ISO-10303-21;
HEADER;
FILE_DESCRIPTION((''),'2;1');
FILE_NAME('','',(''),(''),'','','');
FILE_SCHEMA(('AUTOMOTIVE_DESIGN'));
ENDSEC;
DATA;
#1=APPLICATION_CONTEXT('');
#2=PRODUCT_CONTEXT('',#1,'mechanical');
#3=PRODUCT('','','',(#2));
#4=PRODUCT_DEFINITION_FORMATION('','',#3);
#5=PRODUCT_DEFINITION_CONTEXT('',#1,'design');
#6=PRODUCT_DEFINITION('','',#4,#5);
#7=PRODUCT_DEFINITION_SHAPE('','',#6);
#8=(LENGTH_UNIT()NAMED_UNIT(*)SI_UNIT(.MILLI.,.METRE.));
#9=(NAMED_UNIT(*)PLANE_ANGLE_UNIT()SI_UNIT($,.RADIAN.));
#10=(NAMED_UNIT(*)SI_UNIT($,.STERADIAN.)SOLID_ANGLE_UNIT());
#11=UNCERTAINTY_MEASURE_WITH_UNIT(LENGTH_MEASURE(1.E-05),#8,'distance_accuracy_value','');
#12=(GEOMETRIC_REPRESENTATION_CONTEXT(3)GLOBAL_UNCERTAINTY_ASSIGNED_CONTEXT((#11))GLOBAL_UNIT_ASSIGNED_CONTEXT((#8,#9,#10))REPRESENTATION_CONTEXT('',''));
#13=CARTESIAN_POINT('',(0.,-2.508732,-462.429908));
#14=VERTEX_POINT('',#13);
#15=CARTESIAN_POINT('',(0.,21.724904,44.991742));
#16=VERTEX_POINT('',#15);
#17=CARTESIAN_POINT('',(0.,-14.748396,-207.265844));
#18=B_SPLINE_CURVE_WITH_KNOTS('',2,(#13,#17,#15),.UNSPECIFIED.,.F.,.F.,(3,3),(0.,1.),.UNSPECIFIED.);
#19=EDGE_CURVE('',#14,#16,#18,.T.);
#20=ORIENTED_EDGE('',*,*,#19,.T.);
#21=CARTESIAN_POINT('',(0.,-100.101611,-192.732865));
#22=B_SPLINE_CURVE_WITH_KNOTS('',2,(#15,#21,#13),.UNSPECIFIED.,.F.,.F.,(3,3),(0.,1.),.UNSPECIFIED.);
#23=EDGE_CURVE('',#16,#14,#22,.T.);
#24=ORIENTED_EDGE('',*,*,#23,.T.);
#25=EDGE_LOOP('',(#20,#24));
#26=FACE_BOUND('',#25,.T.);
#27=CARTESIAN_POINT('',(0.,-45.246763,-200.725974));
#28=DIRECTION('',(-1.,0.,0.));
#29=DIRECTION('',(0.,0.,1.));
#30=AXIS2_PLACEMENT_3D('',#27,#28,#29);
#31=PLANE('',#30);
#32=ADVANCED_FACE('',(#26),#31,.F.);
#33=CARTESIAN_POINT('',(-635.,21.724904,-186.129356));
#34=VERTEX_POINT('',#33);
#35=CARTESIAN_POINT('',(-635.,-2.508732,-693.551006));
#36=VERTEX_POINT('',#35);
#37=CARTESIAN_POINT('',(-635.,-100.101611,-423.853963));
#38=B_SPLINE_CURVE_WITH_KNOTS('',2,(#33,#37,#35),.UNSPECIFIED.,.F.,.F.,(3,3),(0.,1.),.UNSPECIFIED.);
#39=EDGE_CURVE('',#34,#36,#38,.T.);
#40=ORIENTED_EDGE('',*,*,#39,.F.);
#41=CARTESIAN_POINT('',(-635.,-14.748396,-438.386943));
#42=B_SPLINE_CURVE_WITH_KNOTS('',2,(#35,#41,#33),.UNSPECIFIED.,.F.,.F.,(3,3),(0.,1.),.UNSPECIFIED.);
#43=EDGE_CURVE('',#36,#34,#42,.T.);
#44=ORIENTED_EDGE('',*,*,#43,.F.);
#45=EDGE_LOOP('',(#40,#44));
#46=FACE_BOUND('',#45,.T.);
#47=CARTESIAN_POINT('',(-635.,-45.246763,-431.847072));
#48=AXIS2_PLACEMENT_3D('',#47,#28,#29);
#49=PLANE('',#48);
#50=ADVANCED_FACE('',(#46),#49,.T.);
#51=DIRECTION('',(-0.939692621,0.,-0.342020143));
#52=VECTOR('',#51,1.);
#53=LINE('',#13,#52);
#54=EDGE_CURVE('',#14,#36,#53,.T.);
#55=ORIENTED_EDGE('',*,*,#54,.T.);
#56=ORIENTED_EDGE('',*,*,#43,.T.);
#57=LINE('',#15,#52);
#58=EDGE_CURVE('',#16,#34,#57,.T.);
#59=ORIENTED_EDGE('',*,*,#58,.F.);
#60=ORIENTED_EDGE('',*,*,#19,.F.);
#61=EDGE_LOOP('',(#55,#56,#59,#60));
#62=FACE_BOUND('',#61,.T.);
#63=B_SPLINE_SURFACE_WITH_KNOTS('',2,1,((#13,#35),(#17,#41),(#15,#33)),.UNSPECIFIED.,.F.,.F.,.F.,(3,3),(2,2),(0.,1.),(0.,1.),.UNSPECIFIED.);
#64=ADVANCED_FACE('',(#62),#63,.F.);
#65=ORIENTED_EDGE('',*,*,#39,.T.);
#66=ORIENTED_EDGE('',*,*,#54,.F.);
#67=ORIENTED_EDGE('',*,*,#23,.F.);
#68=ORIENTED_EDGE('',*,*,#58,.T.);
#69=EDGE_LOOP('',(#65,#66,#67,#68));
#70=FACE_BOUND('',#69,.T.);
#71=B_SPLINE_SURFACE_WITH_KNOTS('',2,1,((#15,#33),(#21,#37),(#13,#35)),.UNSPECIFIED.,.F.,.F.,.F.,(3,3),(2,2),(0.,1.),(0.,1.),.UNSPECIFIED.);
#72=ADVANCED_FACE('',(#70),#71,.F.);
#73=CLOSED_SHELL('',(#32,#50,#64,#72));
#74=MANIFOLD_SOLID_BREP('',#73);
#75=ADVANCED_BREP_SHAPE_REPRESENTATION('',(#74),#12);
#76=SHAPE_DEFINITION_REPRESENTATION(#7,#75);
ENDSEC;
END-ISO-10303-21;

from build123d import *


with BuildPart() as part:
    # Sweep1: sweep along a path in Sketch2
    with BuildLine(Plane(origin=(0, 0, 0), x_dir=(1, 0, 0), z_dir=(0, 1, 0))) as sweep1_path:
        Line((0, -185.596834495), (-635, 45.524264264))
    # Sketch1 → Sweep1 (sweep)
    with BuildSketch(Plane(origin=(0, 0, 0), x_dir=(0, 0, -1), z_dir=(1, 0, 0))):
        with BuildLine():
            add(Edge.make_bspline(
                [(-44.991742267, 21.724903544), (207.265844034, -14.748396326), (462.429907732, -2.508732425)],
                knots=[0, 0, 0, 1, 1, 1], degree=2))
            add(Edge.make_bspline(
                [(-44.991742267, 21.724903544), (192.732864504, -100.101611134), (462.429907732, -2.508732425)],
                knots=[0, 0, 0, 1, 1, 1], degree=2))
        make_face()
    sweep(path=sweep1_path.line)


solid = part.part
